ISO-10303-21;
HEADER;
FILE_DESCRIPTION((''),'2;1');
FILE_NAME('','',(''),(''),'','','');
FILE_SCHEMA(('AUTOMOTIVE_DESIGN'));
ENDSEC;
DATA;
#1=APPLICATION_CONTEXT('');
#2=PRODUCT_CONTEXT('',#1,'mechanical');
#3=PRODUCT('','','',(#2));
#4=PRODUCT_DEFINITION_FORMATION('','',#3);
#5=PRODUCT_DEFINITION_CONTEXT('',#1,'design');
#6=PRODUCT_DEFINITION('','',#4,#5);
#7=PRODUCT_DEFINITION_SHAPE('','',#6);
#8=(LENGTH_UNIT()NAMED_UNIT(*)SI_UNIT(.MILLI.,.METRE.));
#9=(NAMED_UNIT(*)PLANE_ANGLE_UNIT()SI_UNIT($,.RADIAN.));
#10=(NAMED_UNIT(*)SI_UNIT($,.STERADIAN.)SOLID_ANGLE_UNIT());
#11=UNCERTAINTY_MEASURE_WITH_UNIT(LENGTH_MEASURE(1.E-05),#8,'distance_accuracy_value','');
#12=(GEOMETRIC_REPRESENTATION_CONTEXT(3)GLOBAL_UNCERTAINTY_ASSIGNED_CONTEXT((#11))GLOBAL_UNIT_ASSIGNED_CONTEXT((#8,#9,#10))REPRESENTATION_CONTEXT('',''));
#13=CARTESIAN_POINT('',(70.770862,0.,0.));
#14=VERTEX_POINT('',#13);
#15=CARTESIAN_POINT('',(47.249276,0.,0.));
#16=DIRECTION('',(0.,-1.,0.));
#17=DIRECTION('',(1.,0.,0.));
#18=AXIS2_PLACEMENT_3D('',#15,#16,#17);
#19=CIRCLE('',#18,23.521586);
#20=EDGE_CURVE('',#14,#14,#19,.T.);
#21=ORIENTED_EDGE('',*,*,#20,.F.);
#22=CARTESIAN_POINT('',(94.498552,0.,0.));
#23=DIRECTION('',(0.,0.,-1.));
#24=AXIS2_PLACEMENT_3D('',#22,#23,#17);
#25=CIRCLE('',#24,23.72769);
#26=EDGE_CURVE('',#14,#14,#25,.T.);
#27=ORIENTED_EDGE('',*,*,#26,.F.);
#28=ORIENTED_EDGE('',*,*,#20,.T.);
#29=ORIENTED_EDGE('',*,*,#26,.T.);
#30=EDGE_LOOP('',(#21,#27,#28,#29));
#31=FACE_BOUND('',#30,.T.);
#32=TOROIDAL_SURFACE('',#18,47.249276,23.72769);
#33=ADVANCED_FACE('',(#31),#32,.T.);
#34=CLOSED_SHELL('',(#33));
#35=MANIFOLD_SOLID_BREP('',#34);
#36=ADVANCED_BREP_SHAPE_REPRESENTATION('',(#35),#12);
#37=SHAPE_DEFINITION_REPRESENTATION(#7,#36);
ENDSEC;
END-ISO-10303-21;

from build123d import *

# Parameters (mm, degrees)
F0_R = 23.72769


with BuildPart() as f2:
    # F2: sweep along a path in F1
    with BuildLine(Plane.XZ) as f2_path:
        CenterArc((47.249276, 0), 47.378603, 0, 360)
    # F0 (on Top) → F2 (sweep)
    with BuildSketch(Plane.XY):
        Circle(F0_R)
    sweep(path=f2_path.line)


solid = f2.part
